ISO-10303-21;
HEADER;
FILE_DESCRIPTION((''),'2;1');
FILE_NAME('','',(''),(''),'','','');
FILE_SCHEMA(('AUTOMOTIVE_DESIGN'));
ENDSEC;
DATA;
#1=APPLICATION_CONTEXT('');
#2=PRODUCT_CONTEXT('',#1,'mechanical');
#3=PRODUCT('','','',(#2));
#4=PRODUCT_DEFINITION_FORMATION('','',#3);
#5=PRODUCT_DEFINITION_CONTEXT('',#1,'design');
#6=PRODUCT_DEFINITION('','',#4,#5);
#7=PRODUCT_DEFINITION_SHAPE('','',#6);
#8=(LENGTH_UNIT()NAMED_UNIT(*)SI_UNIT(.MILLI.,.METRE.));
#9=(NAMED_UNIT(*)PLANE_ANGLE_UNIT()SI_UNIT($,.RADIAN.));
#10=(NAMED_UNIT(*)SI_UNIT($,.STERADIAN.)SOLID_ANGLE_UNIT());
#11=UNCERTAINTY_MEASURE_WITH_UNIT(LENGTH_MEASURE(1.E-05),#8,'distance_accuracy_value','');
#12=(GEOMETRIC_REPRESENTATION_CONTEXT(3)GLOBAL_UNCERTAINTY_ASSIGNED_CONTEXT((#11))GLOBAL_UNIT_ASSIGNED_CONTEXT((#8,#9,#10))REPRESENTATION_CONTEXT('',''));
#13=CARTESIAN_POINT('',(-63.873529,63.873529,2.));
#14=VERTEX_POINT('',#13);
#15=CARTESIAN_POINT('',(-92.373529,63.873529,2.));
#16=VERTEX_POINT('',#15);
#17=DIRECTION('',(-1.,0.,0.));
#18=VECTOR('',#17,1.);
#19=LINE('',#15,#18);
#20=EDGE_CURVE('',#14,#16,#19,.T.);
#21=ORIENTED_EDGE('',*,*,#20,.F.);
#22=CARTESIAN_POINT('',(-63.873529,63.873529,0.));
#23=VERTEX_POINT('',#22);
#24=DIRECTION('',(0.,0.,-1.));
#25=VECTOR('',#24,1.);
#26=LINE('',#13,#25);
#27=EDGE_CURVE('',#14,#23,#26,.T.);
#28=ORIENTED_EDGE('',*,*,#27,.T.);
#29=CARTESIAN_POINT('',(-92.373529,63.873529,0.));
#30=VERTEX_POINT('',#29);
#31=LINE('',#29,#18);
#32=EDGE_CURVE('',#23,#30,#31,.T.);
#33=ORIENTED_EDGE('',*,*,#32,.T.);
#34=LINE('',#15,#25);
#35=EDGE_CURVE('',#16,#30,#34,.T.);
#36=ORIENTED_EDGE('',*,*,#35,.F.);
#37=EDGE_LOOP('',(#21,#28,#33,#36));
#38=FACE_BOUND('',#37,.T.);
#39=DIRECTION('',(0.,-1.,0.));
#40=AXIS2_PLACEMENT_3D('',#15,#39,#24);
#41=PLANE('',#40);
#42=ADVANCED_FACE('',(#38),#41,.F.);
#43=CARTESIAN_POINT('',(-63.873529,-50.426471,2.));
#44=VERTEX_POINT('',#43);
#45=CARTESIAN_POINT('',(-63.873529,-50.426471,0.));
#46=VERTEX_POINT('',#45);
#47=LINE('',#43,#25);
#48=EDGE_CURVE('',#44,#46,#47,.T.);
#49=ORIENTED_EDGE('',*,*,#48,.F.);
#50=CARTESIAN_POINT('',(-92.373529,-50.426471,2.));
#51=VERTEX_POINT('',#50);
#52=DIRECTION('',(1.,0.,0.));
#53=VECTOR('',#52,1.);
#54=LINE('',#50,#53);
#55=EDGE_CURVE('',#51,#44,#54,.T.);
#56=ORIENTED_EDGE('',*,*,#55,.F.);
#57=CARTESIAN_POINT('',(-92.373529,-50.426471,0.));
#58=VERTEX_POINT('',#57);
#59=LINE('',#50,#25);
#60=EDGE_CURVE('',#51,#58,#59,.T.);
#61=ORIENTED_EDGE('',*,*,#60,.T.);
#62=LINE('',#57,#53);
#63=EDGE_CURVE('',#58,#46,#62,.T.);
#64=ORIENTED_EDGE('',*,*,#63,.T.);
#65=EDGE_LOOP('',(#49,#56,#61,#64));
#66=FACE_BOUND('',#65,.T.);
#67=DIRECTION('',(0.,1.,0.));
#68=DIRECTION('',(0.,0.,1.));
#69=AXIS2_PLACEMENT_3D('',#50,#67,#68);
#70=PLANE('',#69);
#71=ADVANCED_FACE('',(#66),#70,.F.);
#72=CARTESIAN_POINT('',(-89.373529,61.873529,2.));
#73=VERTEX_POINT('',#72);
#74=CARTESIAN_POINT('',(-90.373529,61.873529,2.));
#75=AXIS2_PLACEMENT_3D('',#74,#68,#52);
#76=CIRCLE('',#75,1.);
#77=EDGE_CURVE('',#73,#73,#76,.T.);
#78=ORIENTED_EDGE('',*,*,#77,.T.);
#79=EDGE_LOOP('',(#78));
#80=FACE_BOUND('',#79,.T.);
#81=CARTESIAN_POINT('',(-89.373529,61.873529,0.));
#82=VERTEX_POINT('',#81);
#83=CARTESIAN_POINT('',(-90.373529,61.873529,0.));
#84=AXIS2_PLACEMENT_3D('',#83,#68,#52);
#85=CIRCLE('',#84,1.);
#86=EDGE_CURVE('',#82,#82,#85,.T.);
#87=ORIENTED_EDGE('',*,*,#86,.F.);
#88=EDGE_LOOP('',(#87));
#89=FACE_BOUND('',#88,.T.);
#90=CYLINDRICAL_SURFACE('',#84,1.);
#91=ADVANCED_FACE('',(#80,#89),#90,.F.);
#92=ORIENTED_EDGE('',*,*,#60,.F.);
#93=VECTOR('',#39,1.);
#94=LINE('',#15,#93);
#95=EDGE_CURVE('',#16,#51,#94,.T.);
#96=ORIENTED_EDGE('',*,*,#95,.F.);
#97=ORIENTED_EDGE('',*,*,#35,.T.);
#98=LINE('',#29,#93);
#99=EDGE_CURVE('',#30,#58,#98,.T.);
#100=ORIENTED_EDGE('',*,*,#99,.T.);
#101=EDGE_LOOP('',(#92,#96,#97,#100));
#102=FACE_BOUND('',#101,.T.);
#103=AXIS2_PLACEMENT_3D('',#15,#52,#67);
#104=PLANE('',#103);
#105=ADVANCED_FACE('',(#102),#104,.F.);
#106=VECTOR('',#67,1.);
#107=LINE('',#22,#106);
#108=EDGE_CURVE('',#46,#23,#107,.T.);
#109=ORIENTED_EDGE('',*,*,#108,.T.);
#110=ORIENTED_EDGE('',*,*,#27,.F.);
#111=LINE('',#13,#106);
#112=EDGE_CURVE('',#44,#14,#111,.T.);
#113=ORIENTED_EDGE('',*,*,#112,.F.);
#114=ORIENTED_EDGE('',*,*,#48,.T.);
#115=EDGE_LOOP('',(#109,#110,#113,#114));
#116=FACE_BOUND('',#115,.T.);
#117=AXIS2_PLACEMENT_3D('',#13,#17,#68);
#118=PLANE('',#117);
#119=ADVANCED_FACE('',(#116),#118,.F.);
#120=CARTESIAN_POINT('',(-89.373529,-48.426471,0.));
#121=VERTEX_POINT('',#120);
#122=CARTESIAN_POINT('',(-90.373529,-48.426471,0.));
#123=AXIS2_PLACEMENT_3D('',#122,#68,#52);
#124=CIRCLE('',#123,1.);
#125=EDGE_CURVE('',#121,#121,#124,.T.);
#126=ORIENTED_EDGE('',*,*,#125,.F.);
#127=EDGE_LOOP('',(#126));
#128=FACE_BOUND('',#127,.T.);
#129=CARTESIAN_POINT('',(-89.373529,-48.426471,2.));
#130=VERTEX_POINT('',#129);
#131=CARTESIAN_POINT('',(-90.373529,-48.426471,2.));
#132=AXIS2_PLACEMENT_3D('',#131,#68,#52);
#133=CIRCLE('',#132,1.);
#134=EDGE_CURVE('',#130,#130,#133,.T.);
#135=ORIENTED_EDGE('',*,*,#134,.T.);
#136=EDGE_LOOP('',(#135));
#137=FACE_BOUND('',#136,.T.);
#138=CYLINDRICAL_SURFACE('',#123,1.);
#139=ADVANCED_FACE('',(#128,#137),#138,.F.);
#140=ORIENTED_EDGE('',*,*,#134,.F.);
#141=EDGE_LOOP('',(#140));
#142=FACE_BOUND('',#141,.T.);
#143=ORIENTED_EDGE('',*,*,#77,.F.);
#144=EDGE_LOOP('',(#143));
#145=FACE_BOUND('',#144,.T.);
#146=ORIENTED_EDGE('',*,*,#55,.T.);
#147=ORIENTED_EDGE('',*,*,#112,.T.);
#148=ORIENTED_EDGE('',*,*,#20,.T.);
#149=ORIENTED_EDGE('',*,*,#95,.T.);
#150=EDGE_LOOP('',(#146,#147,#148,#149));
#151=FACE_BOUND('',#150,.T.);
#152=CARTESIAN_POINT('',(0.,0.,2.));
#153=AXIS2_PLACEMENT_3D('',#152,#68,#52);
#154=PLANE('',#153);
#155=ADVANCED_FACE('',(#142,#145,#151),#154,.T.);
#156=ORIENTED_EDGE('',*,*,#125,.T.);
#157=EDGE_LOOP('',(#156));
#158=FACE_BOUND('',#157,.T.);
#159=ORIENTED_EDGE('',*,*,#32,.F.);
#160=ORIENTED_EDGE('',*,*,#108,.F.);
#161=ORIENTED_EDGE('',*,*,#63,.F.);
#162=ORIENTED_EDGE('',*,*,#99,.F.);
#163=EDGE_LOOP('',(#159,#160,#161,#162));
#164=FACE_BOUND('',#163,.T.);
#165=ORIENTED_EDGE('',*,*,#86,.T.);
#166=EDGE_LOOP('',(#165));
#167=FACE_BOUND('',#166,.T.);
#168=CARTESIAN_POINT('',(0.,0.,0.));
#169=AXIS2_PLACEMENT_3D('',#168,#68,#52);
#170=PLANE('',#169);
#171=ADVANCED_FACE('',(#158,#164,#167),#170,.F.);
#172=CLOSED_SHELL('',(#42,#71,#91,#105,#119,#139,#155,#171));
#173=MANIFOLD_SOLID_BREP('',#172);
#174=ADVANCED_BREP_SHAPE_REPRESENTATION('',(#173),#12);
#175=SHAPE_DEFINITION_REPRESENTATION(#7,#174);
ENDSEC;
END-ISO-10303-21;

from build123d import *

# Parameters (mm, degrees)
SKETCH1_W           = 28.5
SKETCH1_H           = 114.3
BOSS_EXTRUDE1_DEPTH = 2
SKETCH2_R           = 1
CUT_EXTRUDE1_DEPTH  = 3


with BuildPart() as part:
    # Sketch1 → Boss-Extrude1 (new body)
    with BuildSketch(Plane.XY):
        with Locations((-78.123529412, 6.723529412)):
            Rectangle(SKETCH1_W, SKETCH1_H)
    extrude(amount=BOSS_EXTRUDE1_DEPTH)

    # Sketch2 → Cut-Extrude1 (cut, through all)
    with BuildSketch(Plane.XY.offset(2)):
        with Locations((-90.373529412, 61.873529412)):
            Circle(SKETCH2_R)
        with Locations((-90.373529412, -48.426470588)):
            Circle(SKETCH2_R)
    extrude(amount=-CUT_EXTRUDE1_DEPTH, mode=Mode.SUBTRACT)


solid = part.part
